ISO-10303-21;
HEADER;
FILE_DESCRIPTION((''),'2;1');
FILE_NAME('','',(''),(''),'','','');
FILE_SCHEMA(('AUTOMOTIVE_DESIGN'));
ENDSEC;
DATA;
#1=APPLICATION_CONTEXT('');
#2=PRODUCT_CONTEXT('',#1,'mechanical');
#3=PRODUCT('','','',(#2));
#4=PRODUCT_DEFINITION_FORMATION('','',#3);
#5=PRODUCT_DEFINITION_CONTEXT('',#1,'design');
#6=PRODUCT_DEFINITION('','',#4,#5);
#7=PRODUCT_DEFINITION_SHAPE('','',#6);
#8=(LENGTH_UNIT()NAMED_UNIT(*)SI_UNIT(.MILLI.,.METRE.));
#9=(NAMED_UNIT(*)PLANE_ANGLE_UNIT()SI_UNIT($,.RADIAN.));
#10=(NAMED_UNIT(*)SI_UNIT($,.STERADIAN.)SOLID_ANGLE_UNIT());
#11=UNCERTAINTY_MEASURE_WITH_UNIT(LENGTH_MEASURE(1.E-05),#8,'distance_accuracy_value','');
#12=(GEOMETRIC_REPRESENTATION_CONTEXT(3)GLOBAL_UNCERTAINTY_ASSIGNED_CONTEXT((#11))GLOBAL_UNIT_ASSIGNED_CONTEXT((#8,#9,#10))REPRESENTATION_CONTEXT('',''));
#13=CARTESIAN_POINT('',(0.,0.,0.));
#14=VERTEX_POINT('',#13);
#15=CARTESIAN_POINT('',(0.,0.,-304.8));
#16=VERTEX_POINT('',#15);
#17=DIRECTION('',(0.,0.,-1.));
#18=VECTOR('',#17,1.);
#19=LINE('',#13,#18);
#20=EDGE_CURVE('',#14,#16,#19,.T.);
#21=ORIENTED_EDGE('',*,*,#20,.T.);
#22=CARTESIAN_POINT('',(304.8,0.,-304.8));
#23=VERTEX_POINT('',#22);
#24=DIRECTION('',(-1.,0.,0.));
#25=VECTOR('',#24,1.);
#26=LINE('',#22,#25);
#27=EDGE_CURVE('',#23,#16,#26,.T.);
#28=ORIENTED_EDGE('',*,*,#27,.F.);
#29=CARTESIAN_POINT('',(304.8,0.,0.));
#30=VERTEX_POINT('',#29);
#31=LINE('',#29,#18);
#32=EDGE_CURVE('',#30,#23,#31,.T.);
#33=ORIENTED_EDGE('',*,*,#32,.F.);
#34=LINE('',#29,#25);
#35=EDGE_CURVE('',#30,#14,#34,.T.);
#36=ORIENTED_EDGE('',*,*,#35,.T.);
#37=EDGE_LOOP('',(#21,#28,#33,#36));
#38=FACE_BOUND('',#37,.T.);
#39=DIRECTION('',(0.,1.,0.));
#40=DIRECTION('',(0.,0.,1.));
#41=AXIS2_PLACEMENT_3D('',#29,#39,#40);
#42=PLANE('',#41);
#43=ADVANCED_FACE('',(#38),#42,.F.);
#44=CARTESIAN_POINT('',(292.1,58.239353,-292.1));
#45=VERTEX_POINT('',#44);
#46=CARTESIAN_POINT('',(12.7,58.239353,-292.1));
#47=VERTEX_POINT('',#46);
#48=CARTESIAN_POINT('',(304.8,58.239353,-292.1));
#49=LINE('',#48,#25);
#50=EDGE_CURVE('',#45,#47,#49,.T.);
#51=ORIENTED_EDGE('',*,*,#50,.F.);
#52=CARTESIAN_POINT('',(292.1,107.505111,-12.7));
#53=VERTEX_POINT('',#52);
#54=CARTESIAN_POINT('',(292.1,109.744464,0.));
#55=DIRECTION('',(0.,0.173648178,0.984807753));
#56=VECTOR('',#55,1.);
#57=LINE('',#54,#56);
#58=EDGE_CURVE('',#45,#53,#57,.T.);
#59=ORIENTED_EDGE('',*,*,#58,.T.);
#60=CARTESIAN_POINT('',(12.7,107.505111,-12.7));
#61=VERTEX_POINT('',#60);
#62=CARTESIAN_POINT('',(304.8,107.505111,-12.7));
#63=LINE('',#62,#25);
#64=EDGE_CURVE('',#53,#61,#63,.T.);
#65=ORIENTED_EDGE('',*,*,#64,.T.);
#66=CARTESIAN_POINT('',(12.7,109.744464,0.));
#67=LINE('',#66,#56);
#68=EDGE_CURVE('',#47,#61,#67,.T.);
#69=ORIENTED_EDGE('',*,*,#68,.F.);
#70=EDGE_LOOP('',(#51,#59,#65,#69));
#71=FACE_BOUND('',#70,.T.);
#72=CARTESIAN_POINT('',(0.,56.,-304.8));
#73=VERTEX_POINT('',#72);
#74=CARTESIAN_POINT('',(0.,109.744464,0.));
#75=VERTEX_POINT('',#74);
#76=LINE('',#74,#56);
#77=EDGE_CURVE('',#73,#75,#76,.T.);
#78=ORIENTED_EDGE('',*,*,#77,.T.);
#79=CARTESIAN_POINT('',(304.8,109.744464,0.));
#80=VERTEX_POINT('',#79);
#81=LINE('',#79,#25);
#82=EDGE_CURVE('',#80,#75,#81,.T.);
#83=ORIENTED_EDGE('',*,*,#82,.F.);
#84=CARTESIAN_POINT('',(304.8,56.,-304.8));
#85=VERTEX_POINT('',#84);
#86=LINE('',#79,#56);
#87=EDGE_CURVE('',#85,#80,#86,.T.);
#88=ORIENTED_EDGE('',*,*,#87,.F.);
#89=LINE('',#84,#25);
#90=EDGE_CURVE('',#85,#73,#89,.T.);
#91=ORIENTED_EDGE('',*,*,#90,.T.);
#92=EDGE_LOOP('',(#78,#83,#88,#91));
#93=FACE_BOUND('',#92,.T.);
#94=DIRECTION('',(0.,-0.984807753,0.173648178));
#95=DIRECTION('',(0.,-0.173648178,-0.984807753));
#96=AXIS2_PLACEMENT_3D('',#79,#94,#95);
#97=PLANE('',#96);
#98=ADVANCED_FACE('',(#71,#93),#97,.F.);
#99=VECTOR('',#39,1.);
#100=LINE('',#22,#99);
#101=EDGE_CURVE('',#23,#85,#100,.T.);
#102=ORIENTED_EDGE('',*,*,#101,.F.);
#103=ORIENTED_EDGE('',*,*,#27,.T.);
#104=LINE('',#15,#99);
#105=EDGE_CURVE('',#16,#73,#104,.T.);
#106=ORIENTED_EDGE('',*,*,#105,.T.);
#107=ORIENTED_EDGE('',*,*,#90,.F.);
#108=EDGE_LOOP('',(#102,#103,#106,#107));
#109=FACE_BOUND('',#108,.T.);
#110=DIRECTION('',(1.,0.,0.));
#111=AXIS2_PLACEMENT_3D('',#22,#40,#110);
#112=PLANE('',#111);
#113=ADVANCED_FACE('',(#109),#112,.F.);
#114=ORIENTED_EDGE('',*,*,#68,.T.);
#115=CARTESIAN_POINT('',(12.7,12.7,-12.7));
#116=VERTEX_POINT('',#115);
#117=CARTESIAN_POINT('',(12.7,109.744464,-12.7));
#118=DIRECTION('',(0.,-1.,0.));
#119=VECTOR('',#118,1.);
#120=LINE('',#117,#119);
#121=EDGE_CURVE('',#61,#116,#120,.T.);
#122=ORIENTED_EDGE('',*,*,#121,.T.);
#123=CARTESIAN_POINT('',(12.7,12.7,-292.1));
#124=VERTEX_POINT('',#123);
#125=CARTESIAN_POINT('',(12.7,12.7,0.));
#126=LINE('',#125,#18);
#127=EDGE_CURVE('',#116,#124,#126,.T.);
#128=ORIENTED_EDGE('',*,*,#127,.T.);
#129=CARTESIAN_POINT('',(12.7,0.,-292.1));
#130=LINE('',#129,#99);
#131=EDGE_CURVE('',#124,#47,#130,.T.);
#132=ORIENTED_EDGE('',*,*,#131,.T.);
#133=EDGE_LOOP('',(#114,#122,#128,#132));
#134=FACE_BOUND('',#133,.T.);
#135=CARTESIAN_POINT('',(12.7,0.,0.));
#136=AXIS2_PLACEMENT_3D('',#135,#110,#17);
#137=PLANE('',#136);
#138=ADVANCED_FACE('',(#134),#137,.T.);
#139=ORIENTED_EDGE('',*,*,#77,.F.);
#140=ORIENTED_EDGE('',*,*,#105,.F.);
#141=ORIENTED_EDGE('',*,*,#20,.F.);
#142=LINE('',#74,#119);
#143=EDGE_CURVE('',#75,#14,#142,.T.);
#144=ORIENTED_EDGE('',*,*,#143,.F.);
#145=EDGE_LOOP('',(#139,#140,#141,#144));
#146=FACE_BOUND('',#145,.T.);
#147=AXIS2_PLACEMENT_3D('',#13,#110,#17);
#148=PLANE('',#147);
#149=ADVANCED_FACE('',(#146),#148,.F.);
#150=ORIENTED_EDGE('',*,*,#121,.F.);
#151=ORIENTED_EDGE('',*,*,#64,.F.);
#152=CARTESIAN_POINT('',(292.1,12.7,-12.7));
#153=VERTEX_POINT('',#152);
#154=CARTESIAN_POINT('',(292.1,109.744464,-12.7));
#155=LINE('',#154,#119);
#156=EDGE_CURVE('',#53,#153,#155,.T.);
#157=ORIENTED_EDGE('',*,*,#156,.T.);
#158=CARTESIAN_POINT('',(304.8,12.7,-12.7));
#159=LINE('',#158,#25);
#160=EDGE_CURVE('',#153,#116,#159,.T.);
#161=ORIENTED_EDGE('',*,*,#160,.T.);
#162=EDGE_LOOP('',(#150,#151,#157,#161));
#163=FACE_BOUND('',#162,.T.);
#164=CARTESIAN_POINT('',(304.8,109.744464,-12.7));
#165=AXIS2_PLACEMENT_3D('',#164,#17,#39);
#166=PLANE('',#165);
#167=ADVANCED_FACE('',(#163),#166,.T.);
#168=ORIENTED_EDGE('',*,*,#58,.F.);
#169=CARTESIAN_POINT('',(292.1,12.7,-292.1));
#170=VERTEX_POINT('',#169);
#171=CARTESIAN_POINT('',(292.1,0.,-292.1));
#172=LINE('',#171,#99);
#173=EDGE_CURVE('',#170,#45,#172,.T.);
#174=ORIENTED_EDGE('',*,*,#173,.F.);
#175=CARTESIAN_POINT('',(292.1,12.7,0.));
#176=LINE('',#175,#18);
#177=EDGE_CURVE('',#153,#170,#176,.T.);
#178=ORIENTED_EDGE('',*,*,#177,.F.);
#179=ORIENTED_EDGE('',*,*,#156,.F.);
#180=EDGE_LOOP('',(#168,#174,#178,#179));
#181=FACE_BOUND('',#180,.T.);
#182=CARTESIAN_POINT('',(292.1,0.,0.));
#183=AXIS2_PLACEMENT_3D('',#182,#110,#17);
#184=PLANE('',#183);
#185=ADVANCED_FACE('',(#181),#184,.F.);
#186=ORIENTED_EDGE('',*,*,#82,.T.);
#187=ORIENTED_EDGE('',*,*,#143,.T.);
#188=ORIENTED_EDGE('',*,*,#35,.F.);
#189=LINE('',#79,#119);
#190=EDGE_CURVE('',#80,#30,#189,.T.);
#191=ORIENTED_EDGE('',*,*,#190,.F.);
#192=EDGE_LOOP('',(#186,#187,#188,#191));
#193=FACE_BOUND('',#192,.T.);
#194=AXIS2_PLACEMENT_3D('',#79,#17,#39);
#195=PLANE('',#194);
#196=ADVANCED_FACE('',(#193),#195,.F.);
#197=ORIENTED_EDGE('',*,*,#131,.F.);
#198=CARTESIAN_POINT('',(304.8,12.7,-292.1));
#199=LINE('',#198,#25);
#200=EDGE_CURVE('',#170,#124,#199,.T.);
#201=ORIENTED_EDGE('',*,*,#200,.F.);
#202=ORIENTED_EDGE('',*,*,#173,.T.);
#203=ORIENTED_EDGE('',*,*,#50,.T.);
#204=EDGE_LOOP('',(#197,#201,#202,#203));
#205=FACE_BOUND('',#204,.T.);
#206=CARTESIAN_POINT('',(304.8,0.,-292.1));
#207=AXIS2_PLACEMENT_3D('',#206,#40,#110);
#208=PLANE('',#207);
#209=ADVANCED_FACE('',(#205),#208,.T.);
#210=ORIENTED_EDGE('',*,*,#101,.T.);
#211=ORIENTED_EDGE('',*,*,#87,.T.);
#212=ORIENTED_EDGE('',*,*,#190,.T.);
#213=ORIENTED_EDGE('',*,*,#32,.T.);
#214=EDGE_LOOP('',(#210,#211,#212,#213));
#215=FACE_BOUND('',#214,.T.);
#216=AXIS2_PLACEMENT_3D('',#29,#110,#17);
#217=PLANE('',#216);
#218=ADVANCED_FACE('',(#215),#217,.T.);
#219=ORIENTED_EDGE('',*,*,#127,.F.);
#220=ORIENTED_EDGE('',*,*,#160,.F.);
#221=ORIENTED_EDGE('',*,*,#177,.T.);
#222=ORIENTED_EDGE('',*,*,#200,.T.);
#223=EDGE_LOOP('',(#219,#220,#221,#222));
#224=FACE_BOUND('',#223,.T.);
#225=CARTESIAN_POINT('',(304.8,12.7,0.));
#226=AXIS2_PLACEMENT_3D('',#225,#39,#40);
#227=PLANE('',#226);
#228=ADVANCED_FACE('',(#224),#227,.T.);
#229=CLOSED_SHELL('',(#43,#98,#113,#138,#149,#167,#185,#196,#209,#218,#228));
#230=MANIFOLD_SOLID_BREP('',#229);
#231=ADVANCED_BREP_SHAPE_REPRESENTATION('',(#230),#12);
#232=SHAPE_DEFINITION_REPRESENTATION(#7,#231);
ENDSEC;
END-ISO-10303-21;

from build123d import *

# Parameters (mm, degrees)
BOSS_EXTRUDE1_DEPTH = 304.8
SHELL1_T            = -12.7


with BuildPart() as part:
    # Sketch1 → Boss-Extrude1 (new body)
    with BuildSketch(Plane(origin=(0, 0, 0), x_dir=(0, 0, -1), z_dir=(1, 0, 0))):
        Polygon((0, 0), (304.8, 0), (304.8, 56), (0, 109.74446372), align=None)
    extrude(amount=BOSS_EXTRUDE1_DEPTH)

    # Shell1
    shell1_openings = [part.faces().sort_by_distance(p)[0] for p in [
        (152.4, 82.87223186, -152.4),
    ]]
    offset(amount=SHELL1_T, openings=shell1_openings, kind=Kind.INTERSECTION)


solid = part.part
